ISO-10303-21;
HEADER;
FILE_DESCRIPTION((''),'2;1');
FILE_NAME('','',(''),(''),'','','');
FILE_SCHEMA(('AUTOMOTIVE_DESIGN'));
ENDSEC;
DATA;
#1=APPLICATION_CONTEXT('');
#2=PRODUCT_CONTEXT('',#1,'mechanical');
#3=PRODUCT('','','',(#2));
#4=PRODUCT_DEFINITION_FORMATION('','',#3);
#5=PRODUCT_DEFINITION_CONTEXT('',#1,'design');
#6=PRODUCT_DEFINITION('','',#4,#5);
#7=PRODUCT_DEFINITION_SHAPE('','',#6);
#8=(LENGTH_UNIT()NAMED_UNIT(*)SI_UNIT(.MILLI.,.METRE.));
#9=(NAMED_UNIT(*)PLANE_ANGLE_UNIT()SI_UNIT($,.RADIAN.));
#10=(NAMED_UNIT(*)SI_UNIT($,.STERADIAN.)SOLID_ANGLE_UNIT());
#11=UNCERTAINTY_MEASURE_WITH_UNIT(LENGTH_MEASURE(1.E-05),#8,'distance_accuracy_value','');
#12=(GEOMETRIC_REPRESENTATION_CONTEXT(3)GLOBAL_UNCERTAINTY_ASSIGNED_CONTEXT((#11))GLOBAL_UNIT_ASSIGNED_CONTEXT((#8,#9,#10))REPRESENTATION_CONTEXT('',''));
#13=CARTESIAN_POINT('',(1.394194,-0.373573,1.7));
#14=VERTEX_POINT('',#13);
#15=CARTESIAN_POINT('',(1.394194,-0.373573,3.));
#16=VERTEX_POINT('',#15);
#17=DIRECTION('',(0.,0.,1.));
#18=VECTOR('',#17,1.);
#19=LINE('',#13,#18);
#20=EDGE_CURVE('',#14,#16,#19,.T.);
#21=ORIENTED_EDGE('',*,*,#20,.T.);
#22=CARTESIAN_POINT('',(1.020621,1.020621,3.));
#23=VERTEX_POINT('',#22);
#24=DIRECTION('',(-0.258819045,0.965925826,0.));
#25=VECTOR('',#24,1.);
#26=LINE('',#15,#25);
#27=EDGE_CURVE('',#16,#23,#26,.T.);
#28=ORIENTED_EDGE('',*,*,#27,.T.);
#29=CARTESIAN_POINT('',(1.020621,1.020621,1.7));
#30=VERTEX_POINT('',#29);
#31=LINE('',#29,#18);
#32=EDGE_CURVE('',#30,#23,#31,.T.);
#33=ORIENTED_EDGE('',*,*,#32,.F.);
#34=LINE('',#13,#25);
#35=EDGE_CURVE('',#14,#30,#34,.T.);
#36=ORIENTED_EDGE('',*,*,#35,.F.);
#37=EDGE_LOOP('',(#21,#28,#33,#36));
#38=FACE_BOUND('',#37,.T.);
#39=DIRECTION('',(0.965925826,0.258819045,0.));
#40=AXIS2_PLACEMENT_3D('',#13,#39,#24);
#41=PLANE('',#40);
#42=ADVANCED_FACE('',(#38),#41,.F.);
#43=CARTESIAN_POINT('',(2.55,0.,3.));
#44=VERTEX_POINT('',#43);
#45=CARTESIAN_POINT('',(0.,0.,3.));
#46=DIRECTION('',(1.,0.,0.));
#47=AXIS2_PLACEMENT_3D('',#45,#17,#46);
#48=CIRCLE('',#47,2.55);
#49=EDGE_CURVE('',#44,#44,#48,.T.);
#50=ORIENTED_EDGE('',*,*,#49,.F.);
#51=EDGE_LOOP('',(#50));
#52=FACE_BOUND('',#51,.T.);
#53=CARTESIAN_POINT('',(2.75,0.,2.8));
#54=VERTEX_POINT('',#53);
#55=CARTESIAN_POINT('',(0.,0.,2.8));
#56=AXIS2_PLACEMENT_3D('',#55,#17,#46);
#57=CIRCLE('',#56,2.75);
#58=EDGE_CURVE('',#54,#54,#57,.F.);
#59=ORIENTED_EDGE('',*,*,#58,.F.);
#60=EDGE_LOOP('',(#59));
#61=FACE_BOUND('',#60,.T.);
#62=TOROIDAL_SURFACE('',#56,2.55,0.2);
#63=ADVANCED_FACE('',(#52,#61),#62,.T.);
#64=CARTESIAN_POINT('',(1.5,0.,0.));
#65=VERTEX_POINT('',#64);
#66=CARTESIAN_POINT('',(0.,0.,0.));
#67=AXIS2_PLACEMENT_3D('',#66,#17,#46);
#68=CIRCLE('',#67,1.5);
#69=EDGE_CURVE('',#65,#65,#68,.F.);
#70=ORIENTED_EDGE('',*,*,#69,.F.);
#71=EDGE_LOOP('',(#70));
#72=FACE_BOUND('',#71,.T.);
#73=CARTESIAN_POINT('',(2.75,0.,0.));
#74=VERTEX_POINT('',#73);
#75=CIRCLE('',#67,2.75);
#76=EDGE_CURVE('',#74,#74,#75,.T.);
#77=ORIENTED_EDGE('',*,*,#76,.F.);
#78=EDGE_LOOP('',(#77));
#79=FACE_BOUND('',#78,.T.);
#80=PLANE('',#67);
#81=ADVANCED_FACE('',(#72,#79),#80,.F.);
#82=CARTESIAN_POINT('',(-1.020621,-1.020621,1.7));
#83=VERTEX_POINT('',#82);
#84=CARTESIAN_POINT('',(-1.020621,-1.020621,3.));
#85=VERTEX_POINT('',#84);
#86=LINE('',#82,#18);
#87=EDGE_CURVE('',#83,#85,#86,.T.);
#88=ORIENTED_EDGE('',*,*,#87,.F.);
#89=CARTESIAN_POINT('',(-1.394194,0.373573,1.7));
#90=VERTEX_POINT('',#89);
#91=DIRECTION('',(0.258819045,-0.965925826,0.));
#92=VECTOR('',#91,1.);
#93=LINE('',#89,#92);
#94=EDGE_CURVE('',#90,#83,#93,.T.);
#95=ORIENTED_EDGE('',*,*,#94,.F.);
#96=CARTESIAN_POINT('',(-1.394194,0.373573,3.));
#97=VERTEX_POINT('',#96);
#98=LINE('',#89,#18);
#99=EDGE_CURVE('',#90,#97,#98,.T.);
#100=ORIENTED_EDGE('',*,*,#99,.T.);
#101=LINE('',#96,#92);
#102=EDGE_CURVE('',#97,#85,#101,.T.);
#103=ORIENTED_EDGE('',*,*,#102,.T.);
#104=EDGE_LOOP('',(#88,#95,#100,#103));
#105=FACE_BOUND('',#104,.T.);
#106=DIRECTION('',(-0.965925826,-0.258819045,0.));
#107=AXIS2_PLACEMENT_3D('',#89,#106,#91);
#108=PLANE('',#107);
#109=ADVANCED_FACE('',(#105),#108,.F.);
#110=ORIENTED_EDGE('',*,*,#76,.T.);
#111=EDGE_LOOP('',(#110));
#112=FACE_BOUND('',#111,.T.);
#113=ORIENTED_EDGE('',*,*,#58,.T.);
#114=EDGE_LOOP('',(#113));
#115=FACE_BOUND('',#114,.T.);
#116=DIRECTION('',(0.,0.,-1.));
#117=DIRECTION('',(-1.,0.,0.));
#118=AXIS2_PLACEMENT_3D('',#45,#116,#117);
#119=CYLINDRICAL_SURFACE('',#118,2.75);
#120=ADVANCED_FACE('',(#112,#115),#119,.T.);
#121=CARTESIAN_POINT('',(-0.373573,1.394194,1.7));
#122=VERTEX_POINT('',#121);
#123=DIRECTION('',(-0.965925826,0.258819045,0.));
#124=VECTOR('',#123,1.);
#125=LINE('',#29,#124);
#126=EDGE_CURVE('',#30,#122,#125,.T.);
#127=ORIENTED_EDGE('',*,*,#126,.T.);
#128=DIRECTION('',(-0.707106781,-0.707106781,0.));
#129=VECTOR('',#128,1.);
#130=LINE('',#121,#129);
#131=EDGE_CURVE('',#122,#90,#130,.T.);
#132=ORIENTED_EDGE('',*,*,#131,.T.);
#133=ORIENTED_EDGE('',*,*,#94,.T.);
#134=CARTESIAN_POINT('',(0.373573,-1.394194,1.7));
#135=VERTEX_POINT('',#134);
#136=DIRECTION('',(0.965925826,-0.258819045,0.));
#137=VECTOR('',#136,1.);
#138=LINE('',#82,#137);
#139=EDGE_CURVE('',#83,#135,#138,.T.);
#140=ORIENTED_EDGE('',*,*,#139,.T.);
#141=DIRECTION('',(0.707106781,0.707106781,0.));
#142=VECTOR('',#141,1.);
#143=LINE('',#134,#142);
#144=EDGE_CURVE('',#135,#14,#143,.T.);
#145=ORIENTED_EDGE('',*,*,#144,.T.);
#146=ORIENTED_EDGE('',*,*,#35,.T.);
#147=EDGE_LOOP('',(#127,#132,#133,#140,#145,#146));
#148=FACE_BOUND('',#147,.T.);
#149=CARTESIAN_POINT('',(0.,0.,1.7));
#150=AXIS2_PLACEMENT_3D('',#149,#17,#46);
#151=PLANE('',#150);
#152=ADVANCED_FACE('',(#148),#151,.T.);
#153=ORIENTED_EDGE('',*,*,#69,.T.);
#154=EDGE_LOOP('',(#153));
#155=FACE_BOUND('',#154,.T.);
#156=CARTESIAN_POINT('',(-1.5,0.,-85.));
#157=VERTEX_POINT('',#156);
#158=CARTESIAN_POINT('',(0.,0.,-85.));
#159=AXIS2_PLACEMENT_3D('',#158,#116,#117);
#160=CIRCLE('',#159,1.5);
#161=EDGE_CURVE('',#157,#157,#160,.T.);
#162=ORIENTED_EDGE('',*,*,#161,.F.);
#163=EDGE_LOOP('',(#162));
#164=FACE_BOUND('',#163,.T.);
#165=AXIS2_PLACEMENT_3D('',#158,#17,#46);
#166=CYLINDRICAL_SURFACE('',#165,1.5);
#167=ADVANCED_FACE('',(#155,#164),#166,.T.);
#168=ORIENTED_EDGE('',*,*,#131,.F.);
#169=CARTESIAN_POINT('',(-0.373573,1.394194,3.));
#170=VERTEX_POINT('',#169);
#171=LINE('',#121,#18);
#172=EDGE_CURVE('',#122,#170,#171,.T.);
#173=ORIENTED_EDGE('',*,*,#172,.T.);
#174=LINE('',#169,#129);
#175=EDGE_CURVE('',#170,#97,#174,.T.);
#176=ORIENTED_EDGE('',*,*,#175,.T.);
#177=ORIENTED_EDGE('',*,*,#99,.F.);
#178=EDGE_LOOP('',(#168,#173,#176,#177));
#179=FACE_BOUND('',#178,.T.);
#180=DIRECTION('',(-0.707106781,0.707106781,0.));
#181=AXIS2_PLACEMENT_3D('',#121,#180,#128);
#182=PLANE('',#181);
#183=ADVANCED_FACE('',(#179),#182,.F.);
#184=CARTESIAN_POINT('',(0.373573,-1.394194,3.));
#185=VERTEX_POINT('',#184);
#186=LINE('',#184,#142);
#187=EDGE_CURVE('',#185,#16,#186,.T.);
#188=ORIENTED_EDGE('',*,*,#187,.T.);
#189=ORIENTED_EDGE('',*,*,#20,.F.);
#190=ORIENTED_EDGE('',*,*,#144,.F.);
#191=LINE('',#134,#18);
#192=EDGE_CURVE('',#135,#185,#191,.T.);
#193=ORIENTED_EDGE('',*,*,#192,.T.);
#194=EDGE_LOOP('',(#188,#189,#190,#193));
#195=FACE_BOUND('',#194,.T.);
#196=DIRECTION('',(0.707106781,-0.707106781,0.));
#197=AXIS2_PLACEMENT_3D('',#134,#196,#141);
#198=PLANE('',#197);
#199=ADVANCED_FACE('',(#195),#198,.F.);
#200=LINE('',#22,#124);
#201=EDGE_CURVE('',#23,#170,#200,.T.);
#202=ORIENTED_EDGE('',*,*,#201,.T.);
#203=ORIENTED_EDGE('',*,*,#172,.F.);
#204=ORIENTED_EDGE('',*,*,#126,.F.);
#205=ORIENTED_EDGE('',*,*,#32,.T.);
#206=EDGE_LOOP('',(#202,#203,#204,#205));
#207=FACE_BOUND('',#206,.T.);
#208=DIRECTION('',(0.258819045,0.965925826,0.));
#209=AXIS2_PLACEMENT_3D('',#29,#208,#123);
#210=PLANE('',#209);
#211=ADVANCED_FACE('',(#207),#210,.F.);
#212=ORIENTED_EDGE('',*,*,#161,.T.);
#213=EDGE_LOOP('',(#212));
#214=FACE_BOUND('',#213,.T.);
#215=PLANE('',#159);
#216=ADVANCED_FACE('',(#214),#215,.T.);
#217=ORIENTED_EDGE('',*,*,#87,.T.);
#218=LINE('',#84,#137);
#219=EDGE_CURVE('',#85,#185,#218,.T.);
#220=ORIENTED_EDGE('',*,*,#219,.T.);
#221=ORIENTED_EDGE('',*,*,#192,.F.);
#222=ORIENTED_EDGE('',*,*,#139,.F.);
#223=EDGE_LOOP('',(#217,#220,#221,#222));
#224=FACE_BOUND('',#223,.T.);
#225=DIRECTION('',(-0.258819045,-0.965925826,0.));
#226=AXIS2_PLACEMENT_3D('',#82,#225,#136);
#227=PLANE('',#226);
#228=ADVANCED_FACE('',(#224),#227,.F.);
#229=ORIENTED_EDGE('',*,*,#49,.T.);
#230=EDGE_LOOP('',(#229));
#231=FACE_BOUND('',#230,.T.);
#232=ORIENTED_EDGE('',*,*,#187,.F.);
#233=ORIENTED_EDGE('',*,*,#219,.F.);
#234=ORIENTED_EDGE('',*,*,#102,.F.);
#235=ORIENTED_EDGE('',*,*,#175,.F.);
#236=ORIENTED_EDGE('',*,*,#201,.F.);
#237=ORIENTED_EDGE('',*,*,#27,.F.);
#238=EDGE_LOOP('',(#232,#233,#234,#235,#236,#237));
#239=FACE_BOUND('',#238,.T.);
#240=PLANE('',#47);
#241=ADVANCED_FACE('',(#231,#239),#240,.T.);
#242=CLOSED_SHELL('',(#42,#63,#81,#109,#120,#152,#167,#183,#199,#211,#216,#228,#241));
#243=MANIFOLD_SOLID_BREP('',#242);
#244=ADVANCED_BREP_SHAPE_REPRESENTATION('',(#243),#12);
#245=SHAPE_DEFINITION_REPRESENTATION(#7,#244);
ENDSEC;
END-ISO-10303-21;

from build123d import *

# Parameters (mm, degrees)
SKETCH_1_R          = 2.75
EXTRUDE_1_DEPTH     = 3
CUT_EXTRUDE_1_DEPTH = 1.3
SKETCH_3_R          = 1.5
EXTRUDE_2_DEPTH     = 85
FILLET_1_R          = 0.2


with BuildPart() as part:
    # 草图1 → 凸台-拉伸1 (new body)
    with BuildSketch(Plane.XY):
        Circle(SKETCH_1_R)
    extrude(amount=EXTRUDE_1_DEPTH)

    # 草图2 → 切除-拉伸1 (cut)
    with BuildSketch(Plane.XY.offset(3)):
        Polygon((-1.020620726, -1.020620726), (0.373573113, -1.39419384), (1.39419384, -0.373573113), (1.020620726, 1.020620726), (-0.373573113, 1.39419384), (-1.39419384, 0.373573113), align=None)
    extrude(amount=-CUT_EXTRUDE_1_DEPTH, mode=Mode.SUBTRACT)

    # 草图3 → 凸台-拉伸2 (add)
    with BuildSketch(Plane(origin=(0, 0, 0), x_dir=(-1, 0, 0), z_dir=(0, 0, -1))):
        with Locations(Location((0, 0, 0), (0, 0, 180))):
            Circle(SKETCH_3_R)
    extrude(amount=EXTRUDE_2_DEPTH)

    # 圆角1
    fillet_1_edges = [part.edges().sort_by_distance(p)[0] for p in [
        (-2.75, 0, 3),
    ]]
    fillet(fillet_1_edges, radius=FILLET_1_R)


solid = part.part
